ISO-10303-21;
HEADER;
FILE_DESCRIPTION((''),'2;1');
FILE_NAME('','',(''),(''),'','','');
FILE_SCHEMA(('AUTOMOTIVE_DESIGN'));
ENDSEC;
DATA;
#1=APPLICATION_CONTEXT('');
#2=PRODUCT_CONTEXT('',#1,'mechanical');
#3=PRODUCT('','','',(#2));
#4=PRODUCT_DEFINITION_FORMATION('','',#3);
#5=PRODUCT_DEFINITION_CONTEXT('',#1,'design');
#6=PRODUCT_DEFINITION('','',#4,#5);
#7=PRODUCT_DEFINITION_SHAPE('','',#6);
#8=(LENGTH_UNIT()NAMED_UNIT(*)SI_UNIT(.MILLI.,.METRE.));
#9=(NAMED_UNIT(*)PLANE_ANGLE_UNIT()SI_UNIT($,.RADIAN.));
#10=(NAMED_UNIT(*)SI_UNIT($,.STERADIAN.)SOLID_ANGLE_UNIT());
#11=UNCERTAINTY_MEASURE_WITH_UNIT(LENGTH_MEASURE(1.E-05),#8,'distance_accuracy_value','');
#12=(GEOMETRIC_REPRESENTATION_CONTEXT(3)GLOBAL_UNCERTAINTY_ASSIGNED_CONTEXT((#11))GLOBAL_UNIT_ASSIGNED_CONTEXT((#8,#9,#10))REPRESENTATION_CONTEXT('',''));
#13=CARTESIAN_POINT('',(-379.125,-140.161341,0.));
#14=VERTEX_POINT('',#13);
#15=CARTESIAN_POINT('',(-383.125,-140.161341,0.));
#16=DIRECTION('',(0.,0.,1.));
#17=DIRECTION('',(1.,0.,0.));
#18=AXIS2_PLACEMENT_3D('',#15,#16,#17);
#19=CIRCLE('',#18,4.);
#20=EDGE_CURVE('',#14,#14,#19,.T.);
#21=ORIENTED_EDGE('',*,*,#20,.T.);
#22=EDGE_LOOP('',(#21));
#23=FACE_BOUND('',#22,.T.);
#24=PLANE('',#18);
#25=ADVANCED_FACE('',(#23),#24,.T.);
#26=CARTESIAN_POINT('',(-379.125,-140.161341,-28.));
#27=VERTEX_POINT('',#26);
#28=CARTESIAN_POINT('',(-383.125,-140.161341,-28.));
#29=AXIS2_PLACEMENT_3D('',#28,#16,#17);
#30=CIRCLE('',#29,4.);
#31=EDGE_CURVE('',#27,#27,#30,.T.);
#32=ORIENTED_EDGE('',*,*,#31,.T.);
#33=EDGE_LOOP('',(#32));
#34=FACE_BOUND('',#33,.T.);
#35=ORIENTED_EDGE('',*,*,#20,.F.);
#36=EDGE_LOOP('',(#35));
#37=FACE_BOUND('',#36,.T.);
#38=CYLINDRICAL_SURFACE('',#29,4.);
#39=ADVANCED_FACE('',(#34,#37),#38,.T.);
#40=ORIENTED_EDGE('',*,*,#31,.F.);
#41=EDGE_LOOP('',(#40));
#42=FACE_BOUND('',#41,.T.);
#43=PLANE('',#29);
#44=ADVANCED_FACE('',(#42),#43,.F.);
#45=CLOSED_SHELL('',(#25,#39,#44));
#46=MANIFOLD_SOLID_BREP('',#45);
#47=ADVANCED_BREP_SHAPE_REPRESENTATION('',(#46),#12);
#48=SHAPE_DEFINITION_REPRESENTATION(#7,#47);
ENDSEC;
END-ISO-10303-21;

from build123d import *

# Parameters (mm, degrees)
ESQUISSE1_R        = 4
BOSS_EXTRU_1_DEPTH = 28


with BuildPart() as part:
    # Esquisse1 → Boss.-Extru.1 (new body)
    with BuildSketch(Plane.XY):
        with Locations((-383.125, -140.161341078)):
            Circle(ESQUISSE1_R)
    extrude(amount=-BOSS_EXTRU_1_DEPTH)


solid = part.part
